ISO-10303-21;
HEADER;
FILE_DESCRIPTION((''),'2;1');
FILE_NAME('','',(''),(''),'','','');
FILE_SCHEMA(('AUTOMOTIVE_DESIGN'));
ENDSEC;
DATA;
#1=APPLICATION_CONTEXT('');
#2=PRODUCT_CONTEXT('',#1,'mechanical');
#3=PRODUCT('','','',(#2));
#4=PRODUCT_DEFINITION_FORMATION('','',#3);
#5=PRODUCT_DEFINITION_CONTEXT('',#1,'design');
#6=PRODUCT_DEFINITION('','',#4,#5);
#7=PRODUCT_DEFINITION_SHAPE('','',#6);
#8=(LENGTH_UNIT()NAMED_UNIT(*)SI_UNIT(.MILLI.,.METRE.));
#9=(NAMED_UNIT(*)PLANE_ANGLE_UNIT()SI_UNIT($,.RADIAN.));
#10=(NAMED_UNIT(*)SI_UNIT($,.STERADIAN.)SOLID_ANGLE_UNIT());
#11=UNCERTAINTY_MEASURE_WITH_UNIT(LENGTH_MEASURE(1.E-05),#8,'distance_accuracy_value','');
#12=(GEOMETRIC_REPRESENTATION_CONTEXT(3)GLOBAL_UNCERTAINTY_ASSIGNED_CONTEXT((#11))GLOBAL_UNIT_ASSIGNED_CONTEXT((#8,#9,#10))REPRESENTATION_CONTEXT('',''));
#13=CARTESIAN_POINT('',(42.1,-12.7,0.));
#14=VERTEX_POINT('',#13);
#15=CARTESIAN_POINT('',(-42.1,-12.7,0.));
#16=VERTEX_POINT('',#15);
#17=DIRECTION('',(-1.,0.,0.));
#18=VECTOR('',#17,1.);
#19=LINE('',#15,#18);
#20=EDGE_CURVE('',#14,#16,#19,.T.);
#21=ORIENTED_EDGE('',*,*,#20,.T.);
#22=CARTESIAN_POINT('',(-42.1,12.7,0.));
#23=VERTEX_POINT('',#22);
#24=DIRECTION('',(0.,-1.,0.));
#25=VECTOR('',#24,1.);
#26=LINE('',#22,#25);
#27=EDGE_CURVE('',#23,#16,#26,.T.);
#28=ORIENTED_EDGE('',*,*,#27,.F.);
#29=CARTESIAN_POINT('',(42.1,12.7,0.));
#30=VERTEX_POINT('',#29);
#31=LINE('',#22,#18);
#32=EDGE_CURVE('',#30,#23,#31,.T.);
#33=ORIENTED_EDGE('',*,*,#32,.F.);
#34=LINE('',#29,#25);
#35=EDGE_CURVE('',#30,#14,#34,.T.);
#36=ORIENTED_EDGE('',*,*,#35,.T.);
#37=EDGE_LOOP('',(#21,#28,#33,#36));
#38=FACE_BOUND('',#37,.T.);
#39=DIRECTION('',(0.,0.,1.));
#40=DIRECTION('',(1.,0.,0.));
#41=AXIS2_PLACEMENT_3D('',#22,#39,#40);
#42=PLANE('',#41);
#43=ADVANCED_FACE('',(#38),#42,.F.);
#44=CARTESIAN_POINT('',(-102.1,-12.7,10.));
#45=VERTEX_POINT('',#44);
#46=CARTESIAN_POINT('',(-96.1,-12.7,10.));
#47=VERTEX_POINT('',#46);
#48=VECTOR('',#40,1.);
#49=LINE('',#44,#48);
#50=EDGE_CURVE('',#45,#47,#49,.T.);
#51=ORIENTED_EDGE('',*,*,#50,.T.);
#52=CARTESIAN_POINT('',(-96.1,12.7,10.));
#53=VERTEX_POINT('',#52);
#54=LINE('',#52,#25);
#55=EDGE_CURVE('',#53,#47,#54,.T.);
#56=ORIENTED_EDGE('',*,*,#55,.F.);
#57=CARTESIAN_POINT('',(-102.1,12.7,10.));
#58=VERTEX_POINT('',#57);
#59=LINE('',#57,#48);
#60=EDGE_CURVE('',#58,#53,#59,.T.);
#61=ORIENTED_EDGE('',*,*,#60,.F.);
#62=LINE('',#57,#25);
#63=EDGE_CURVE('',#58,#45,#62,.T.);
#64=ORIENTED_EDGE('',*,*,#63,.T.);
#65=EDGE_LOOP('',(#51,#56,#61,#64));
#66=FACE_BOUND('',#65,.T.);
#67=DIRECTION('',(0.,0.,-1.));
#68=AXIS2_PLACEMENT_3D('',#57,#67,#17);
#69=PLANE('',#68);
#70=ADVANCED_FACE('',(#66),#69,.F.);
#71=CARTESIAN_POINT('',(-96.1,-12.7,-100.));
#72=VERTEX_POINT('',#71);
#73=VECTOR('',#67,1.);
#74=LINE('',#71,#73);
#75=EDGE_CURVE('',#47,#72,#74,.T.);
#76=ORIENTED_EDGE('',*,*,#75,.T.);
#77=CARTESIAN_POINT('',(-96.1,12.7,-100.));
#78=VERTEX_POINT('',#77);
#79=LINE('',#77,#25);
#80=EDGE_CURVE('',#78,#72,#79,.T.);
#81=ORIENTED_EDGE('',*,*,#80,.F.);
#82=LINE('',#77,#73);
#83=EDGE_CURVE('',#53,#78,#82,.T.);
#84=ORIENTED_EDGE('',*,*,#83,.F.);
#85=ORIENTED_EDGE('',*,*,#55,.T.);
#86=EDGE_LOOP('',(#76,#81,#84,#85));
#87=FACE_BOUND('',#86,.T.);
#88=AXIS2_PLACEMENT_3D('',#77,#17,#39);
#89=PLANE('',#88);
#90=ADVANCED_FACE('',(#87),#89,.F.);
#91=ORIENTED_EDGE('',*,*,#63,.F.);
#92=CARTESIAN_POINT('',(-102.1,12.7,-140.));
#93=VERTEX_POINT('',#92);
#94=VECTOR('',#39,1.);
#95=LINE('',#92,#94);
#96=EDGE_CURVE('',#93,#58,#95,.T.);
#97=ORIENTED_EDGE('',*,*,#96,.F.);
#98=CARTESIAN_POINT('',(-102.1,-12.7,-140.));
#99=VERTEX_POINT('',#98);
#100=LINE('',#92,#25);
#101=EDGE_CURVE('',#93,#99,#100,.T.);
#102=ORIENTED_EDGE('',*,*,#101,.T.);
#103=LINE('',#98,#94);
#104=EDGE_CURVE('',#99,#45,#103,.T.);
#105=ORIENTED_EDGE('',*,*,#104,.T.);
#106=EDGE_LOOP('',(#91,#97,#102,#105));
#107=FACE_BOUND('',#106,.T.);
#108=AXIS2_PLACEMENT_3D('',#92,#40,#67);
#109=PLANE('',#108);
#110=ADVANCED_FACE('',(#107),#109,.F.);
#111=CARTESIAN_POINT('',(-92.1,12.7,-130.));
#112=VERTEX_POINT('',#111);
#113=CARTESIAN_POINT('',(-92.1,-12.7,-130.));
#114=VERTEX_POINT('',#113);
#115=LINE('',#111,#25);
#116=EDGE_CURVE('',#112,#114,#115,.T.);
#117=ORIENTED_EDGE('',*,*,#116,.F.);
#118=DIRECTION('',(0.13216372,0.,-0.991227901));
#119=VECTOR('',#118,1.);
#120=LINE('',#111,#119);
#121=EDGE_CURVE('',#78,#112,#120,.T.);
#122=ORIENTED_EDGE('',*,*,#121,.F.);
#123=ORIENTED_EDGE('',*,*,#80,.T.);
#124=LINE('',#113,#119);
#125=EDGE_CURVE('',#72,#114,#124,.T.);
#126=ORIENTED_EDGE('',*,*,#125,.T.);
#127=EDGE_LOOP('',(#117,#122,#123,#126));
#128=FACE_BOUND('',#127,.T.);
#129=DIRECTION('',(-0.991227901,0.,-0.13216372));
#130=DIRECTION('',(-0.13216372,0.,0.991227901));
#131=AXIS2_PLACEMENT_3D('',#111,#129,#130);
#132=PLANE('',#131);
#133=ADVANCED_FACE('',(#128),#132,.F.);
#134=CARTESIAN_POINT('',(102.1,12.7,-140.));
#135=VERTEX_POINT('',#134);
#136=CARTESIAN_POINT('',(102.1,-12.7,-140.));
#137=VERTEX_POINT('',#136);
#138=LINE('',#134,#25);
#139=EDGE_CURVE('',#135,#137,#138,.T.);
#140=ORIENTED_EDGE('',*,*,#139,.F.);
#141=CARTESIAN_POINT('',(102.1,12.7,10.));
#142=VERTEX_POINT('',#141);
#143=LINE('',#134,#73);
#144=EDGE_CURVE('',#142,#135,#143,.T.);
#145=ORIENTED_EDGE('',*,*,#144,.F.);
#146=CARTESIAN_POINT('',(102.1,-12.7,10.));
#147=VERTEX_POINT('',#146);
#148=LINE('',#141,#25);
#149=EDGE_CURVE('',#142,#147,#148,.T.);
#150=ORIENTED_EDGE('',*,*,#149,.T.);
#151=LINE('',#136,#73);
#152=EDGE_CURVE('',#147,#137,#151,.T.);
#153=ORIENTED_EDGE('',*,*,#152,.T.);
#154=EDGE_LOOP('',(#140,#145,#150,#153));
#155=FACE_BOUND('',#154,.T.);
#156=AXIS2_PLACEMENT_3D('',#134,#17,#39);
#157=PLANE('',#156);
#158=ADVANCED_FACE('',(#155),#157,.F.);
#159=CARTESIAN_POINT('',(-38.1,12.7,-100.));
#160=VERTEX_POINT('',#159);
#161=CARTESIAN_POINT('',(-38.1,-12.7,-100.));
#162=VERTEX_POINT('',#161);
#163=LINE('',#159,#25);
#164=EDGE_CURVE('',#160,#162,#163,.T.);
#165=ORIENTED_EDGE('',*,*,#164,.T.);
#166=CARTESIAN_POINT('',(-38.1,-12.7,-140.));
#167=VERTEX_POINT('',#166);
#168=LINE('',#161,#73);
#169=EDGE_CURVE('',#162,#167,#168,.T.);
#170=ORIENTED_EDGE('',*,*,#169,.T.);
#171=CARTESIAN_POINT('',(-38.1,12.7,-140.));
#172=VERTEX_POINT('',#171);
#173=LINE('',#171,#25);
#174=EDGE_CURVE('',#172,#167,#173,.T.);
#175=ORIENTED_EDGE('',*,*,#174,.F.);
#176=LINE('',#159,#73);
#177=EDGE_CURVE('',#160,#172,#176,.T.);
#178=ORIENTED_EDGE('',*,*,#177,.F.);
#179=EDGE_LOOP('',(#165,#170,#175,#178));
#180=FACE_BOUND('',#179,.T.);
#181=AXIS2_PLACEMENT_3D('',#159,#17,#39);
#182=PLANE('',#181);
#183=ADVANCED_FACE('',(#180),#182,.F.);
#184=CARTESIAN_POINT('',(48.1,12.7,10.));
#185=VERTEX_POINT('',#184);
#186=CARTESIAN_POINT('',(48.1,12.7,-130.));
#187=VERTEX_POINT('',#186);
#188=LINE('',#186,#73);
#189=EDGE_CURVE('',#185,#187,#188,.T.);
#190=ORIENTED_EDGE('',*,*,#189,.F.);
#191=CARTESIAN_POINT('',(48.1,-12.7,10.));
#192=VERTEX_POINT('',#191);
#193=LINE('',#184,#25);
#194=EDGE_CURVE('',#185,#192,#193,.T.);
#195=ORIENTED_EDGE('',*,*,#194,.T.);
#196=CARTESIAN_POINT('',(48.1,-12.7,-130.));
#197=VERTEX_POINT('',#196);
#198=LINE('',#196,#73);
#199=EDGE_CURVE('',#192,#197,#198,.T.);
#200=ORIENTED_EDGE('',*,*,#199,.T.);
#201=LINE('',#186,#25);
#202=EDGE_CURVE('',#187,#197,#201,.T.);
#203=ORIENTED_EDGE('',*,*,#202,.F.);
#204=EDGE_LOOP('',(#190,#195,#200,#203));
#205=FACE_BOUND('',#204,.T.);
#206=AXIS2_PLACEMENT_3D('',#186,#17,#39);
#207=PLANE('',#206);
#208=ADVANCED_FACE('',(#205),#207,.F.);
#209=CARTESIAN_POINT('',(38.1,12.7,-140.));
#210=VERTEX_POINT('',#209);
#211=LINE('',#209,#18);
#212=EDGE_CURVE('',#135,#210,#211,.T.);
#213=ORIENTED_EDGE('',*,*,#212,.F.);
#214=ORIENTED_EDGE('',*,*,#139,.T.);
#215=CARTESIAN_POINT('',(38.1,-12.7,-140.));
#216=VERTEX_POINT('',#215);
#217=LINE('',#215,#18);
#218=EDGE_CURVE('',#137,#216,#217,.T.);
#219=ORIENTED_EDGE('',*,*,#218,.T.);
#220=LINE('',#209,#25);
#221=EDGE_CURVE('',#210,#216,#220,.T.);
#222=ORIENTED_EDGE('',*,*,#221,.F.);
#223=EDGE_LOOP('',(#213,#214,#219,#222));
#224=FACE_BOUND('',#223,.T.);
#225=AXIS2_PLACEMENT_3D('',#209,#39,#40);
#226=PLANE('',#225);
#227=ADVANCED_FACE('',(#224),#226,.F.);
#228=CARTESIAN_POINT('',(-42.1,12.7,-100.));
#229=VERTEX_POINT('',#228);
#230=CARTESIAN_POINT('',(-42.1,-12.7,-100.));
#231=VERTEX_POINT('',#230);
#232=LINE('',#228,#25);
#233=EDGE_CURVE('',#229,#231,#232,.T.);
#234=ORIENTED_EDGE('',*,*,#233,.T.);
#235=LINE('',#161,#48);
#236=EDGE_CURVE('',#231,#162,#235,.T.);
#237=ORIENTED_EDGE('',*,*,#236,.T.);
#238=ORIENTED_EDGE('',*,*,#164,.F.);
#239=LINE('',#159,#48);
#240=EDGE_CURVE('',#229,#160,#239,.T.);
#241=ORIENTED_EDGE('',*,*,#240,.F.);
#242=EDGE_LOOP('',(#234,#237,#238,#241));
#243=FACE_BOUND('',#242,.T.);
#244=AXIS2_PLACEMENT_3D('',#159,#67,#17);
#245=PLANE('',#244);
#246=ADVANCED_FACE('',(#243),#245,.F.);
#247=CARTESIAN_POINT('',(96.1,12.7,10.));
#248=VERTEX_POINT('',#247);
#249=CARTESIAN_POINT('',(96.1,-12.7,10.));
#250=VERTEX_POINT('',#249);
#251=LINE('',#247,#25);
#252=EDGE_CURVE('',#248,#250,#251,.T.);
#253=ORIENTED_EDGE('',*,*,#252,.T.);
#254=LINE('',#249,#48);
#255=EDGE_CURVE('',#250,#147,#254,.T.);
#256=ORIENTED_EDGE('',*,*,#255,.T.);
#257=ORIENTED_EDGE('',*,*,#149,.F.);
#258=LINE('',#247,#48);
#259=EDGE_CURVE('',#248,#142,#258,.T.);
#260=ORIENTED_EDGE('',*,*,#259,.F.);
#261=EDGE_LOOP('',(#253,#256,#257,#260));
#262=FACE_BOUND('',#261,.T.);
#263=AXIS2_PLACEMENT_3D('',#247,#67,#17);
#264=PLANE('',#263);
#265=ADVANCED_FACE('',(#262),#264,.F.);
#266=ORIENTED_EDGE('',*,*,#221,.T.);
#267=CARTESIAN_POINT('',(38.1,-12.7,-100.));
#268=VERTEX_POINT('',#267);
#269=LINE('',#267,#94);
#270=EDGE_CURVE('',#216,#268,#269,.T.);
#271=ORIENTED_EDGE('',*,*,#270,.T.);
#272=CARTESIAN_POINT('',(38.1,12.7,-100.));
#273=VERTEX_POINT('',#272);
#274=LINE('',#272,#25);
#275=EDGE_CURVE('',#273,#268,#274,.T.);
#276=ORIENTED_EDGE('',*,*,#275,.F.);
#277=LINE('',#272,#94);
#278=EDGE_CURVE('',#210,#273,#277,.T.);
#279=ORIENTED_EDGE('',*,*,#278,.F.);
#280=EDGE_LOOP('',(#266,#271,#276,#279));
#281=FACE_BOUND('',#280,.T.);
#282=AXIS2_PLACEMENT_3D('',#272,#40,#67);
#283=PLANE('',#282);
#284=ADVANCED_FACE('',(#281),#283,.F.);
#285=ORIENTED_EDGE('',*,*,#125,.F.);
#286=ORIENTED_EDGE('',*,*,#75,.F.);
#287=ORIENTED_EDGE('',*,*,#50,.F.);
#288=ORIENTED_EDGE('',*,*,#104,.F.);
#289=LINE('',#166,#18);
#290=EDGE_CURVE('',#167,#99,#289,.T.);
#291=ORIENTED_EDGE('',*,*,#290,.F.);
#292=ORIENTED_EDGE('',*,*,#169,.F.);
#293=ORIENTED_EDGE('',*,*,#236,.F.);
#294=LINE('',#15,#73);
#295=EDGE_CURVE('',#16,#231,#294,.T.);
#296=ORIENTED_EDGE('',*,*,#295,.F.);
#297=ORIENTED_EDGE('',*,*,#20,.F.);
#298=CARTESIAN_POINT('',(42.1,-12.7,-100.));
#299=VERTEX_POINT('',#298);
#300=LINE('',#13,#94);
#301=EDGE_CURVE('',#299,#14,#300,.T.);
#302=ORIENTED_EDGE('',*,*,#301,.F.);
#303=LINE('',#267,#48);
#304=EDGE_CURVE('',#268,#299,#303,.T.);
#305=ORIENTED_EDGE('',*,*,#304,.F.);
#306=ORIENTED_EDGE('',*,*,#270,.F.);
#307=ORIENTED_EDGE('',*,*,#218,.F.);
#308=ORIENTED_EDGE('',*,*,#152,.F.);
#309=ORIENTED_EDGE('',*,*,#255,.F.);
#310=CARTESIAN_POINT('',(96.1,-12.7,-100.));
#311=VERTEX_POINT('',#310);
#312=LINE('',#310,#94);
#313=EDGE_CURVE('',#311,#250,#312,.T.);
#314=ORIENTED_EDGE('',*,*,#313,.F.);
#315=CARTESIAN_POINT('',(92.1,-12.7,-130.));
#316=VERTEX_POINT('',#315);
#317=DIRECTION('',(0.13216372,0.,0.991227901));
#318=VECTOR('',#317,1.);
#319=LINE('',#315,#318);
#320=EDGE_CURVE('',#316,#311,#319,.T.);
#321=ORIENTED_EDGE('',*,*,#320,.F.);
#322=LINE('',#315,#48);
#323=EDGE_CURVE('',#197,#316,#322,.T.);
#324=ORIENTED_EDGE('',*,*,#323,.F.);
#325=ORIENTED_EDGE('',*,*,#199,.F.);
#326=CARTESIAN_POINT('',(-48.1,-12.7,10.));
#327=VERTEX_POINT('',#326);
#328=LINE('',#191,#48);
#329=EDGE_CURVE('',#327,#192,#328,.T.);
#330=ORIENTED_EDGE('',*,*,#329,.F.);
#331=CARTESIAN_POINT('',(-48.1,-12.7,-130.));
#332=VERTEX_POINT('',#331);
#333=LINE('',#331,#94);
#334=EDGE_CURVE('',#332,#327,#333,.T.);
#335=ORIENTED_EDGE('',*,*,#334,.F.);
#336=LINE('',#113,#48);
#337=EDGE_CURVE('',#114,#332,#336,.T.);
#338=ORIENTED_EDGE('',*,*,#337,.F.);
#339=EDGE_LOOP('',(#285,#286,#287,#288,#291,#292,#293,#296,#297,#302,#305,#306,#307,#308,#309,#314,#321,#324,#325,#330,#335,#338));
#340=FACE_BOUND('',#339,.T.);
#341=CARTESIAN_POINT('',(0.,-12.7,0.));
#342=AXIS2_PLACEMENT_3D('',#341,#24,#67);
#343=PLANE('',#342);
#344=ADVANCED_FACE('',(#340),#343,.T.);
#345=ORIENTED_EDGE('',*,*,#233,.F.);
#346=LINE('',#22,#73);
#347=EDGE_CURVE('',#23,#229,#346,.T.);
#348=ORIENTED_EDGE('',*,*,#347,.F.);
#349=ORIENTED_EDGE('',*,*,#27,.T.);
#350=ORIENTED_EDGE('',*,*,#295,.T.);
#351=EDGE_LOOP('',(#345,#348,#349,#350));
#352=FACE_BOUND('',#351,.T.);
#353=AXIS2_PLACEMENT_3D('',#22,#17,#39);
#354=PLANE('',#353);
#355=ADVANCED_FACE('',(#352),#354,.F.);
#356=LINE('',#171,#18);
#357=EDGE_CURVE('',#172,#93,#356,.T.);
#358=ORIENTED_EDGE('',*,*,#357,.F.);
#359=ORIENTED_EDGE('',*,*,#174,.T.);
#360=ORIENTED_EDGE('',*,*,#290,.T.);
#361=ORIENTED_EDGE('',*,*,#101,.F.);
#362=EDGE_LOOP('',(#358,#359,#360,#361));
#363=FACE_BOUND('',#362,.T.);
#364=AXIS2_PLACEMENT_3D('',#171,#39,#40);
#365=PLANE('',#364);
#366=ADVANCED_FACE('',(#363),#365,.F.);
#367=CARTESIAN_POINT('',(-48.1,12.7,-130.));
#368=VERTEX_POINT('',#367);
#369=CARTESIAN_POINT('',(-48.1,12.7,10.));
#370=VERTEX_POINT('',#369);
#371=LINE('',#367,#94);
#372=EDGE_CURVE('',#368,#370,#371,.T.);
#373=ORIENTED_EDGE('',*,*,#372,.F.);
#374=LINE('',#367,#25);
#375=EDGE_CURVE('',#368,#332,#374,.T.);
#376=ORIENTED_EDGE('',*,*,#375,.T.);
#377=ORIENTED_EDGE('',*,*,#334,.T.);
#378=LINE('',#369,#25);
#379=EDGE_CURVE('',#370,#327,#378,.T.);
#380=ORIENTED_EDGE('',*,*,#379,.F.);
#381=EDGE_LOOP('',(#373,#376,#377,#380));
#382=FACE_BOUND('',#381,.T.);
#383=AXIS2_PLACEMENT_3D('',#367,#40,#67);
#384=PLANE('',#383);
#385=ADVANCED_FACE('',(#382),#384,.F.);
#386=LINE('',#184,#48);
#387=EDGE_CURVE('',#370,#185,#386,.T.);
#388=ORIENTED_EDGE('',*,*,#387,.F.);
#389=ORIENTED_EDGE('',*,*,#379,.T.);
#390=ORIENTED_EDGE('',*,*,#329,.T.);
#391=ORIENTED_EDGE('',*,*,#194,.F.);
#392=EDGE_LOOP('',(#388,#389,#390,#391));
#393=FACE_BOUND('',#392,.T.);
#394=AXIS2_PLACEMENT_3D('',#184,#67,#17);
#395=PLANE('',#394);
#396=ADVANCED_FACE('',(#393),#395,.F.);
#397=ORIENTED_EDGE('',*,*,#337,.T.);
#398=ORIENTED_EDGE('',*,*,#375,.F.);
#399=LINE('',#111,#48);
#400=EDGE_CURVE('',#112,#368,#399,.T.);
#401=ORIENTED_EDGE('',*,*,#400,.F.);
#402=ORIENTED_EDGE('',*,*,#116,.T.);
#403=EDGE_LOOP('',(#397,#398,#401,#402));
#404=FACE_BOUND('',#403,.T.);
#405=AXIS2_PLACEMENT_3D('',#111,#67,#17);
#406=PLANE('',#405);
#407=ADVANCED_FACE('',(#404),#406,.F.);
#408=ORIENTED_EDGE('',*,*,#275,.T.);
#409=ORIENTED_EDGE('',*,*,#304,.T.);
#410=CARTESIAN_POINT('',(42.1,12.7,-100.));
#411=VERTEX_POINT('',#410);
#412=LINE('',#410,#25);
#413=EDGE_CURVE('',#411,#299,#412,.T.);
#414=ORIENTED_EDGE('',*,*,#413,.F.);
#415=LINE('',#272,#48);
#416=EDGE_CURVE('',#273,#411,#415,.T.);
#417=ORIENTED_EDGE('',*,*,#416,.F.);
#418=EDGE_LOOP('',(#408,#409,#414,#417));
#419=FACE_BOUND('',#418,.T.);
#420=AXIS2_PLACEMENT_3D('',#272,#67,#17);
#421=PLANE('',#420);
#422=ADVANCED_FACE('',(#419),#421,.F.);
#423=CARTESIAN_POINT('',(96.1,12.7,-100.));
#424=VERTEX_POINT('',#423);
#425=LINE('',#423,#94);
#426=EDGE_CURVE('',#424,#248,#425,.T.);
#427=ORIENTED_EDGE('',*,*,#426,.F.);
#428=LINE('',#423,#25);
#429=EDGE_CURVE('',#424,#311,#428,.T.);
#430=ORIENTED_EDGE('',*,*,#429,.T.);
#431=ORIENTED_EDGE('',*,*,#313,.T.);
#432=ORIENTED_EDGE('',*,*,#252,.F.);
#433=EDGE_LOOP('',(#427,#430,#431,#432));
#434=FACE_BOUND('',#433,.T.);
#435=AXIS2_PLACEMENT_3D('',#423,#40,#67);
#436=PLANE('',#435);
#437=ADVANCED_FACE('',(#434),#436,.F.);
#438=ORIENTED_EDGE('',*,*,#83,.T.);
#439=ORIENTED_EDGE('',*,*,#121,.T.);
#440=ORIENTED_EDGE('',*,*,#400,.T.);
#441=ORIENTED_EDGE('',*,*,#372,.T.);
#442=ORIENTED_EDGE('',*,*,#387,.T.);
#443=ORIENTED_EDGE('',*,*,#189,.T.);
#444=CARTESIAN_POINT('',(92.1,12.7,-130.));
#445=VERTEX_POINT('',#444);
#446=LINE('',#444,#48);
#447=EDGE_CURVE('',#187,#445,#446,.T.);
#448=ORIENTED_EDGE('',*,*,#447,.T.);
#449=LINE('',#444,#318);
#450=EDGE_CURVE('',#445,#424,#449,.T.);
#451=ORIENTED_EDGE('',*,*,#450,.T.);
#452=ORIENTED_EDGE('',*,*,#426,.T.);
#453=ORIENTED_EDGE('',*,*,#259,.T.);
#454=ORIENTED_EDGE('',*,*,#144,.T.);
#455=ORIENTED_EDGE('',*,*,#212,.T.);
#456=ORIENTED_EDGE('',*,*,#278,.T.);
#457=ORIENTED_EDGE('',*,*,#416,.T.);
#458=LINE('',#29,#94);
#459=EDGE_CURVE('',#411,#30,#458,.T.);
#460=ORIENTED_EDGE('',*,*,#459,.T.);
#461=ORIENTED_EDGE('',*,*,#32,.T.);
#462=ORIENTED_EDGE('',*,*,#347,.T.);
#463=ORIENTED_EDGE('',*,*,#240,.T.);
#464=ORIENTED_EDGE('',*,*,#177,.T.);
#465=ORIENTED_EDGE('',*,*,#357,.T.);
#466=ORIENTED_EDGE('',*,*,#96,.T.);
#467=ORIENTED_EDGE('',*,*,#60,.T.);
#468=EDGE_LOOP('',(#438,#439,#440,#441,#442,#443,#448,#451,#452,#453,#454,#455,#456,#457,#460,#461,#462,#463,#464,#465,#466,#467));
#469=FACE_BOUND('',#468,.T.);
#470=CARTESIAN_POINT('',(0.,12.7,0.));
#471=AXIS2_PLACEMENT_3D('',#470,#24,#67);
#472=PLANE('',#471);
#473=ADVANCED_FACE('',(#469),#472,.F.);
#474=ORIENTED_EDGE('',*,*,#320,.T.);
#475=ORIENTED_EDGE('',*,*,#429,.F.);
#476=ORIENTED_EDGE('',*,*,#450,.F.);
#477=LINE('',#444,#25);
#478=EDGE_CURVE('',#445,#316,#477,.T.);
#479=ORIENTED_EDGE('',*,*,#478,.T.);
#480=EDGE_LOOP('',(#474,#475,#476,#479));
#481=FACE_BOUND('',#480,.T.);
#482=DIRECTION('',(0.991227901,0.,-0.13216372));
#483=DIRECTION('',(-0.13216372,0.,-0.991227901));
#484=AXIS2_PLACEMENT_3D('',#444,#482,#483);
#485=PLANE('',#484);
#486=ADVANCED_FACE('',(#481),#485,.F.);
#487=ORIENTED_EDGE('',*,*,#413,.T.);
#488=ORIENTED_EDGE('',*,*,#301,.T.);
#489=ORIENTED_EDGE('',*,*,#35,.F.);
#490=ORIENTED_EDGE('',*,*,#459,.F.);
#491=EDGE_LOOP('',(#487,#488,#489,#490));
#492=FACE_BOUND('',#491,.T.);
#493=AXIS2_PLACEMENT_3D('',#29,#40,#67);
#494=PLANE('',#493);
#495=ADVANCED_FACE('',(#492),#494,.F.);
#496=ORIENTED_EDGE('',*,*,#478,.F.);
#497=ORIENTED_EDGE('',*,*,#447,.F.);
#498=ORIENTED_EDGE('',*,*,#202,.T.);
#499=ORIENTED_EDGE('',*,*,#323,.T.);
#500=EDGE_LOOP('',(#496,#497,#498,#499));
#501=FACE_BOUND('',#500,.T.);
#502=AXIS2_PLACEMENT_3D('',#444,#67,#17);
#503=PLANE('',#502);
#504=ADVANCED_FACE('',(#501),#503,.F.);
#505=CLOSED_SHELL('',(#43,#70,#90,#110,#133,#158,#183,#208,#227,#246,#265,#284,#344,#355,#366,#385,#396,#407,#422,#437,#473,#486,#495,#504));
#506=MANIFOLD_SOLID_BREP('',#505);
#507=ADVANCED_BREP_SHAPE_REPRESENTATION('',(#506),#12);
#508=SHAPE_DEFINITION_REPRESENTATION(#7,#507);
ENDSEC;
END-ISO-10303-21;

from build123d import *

# Parameters (mm, degrees)
BOSS_EXTRUDE1_DEPTH = 12.7


with BuildPart() as part:
    # Sketch1 → Boss-Extrude1 (new, symmetric)
    with BuildSketch(Plane(origin=(0, 0, 0), x_dir=(1, 0, 0), z_dir=(0, 1, 0))):
        Polygon((-92.1, 130), (-96.1, 100), (-96.1, -10), (-102.1, -10), (-102.1, 140), (-38.1, 140), (-38.1, 100), (-42.1, 100), (-42.1, 0), (42.1, 0), (42.1, 100), (38.1, 100), (38.1, 140), (102.1, 140), (102.1, -10), (96.1, -10), (96.1, 100), (92.1, 130), (48.1, 130), (48.1, -10), (-48.1, -10), (-48.1, 130), align=None)
    extrude(amount=BOSS_EXTRUDE1_DEPTH, both=True)


solid = part.part
